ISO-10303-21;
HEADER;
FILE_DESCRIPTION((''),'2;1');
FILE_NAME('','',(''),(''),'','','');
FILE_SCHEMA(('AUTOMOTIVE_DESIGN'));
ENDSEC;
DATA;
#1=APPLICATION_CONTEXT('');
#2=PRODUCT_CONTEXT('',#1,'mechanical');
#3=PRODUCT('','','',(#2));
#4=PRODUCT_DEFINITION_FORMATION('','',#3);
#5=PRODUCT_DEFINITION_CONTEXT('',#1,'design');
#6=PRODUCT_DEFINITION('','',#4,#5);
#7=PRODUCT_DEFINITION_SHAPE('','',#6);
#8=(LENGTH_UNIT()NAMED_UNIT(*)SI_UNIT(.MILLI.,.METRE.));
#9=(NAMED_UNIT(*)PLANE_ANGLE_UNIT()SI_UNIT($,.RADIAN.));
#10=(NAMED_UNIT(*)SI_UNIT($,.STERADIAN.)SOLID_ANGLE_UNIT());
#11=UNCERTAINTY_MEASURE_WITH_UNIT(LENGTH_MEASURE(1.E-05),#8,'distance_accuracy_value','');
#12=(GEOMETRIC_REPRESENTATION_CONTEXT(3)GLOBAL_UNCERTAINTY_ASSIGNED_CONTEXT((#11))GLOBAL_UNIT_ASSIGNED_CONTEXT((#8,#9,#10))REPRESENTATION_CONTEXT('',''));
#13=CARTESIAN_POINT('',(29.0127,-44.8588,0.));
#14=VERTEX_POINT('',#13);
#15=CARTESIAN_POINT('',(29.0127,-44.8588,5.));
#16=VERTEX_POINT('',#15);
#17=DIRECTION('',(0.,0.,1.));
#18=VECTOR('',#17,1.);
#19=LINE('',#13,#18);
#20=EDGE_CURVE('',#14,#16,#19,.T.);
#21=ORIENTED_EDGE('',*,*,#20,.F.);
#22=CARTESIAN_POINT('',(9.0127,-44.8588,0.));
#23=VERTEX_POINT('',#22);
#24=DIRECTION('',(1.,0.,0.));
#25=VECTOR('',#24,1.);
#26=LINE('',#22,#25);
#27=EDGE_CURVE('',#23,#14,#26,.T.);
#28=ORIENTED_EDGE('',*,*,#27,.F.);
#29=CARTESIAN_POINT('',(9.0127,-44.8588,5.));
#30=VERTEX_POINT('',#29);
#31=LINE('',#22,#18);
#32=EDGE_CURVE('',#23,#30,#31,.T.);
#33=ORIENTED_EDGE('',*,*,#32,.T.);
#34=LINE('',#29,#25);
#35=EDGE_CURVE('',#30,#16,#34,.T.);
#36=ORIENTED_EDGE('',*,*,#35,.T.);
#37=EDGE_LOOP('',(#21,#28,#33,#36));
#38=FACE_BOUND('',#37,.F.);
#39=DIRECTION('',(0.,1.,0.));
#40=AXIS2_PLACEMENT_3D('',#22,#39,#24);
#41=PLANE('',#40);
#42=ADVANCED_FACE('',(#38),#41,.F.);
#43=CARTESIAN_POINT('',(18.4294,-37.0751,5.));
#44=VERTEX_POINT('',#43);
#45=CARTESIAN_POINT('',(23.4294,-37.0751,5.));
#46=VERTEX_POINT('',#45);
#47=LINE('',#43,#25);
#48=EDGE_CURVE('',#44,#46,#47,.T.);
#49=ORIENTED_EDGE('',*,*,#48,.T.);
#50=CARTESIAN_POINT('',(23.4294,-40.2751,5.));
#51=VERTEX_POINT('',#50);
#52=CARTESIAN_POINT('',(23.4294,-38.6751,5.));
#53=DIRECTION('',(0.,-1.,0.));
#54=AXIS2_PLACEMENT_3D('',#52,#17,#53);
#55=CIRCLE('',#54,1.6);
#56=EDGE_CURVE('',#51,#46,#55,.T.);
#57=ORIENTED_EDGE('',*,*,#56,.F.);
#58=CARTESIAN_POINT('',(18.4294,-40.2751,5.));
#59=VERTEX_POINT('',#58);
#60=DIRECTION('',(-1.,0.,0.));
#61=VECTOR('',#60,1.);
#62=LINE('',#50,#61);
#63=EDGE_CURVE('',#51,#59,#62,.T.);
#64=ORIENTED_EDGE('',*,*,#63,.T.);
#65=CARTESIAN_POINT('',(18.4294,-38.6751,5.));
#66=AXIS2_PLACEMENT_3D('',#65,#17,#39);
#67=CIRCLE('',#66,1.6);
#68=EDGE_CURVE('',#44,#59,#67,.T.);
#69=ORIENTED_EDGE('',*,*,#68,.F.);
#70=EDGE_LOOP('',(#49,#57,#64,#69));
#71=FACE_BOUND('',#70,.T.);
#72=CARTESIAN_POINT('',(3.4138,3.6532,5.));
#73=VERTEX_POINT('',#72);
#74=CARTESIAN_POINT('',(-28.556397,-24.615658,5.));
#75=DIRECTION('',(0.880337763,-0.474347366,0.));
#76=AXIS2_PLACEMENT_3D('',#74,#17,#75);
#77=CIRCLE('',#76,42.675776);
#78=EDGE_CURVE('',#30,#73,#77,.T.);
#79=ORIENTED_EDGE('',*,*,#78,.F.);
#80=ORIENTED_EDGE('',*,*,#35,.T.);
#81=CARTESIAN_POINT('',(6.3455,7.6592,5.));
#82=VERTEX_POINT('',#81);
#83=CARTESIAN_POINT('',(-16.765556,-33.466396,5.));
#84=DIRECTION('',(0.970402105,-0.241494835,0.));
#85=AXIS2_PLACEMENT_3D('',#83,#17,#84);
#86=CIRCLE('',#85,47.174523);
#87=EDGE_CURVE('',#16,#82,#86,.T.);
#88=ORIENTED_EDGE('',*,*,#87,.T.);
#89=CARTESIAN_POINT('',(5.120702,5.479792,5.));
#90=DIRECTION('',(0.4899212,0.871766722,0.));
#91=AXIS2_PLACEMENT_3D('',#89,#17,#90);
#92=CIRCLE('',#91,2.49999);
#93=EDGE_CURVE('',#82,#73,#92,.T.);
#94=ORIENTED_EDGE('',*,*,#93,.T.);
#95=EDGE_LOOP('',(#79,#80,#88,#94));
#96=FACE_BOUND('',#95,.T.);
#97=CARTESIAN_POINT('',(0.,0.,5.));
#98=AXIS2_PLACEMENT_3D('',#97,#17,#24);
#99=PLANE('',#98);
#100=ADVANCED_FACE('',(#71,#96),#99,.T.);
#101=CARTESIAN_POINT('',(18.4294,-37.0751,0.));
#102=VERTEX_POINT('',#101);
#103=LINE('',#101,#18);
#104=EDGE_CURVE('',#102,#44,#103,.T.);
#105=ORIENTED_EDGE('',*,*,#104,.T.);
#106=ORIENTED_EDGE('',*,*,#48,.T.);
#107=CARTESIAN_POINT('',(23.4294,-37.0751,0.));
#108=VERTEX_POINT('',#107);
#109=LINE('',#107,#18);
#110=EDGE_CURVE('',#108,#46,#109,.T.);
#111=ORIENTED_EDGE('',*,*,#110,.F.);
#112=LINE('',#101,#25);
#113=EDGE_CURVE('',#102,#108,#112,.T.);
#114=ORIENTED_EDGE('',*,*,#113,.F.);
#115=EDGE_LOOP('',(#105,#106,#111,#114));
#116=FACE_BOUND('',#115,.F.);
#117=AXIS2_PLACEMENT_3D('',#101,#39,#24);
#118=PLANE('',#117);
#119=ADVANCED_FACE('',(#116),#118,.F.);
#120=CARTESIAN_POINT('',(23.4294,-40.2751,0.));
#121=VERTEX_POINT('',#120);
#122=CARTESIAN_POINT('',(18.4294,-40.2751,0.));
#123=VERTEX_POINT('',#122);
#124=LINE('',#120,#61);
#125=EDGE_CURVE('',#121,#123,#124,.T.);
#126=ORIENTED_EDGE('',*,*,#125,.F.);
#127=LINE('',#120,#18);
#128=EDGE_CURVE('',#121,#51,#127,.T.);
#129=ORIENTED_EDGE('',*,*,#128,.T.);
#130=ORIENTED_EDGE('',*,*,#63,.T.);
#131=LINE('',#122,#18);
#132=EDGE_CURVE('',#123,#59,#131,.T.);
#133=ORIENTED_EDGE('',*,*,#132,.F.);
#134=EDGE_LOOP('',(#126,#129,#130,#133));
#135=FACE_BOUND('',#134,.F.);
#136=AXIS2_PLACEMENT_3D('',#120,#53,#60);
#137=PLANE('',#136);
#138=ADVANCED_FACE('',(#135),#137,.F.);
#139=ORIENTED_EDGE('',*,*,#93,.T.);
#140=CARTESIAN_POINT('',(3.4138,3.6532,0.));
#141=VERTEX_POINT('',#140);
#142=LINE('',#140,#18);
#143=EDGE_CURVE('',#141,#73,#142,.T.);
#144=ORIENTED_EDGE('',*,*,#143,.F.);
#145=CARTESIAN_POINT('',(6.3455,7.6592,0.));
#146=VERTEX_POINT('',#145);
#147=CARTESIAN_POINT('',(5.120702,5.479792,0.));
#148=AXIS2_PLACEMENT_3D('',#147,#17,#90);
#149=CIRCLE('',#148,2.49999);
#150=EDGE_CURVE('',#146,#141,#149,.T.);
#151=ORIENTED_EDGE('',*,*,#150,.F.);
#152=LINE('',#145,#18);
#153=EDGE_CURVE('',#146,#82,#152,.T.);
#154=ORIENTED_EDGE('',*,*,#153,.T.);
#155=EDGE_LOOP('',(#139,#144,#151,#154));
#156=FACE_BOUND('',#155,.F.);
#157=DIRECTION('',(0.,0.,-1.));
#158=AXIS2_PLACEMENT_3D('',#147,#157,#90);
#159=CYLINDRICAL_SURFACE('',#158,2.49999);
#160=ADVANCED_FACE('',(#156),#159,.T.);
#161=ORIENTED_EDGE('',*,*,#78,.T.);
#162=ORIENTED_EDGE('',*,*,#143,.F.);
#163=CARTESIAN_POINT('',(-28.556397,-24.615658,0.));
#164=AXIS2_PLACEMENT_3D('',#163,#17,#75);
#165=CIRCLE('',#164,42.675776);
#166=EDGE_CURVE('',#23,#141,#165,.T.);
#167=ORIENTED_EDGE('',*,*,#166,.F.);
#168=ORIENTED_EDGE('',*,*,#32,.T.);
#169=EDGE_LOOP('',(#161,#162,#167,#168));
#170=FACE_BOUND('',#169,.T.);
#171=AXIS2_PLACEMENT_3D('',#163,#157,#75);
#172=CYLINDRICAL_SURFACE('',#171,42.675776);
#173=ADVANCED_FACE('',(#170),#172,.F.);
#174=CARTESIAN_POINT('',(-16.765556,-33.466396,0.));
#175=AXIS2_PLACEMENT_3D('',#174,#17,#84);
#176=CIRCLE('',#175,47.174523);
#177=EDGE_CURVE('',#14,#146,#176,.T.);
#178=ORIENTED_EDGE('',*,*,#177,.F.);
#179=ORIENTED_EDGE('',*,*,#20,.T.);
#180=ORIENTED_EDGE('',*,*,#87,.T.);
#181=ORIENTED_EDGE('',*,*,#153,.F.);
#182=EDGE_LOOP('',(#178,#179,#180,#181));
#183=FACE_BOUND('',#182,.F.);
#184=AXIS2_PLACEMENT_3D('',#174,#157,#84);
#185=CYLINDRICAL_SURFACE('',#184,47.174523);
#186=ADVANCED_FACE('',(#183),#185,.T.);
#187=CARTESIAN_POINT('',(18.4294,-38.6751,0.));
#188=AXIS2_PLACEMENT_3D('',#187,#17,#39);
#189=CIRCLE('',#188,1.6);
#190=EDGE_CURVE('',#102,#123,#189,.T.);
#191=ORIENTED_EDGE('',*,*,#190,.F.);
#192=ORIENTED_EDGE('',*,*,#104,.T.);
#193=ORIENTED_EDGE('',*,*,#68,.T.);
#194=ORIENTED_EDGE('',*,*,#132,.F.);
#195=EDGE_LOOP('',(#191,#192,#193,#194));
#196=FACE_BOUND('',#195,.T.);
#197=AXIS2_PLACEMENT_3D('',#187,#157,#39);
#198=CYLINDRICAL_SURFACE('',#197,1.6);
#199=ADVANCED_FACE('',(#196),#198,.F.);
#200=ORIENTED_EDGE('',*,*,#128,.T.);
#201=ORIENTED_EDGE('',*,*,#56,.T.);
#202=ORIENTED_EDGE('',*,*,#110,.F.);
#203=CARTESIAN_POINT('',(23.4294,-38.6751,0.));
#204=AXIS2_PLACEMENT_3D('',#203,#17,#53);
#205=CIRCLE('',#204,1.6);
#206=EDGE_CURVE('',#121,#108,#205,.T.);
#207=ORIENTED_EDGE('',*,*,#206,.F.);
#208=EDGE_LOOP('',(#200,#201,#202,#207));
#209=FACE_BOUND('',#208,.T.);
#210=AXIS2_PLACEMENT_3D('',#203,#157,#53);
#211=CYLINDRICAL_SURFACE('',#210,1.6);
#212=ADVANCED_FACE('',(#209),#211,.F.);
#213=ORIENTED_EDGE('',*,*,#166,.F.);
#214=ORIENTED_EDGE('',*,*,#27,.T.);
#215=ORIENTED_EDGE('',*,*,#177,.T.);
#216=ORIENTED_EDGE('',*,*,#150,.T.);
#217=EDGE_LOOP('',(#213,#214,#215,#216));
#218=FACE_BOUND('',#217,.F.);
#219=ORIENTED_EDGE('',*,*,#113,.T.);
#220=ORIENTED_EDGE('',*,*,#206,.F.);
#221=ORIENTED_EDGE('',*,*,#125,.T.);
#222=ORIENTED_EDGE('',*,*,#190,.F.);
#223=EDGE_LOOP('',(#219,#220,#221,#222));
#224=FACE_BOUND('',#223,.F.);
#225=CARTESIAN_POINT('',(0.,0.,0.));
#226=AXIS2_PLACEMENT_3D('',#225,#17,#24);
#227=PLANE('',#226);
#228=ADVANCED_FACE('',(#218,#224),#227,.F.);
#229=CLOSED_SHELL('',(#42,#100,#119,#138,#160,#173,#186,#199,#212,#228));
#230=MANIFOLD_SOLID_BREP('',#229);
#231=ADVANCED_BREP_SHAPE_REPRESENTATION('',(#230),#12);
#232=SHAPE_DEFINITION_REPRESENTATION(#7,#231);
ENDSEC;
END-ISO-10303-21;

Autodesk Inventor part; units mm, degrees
ref_plane "YZ Plane" through (0, 0, 0) normal (1, 0, 0) x (0, 1, 0)
ref_plane "XZ Plane" through (0, 0, 0) normal (0, 1, 0) x (-1, 0, 0)
ref_plane "XY Plane" through (0, 0, 0) normal (0, 0, 1) x (1, 0, 0)
sketch "Sketch1" plane through (0, 0, 0) normal (0, 0, 1) x (1, 0, 0)
  arc A0 (6.3455, 7.6592) -> (3.4138, 3.6532) centre (5.1207, 5.4798) ccw
  line L0 (18.4294, -37.0751) -> (23.4294, -37.0751)
  line L1 (23.4294, -40.2751) -> (18.4294, -40.2751)
  arc A1 (18.4294, -37.0751) -> (18.4294, -40.2751) centre (18.4294, -38.6751) ccw
  arc A2 (23.4294, -40.2751) -> (23.4294, -37.0751) centre (23.4294, -38.6751) ccw
  arc A3 (29.0127, -44.8588) -> (6.3455, 7.6592) centre (-16.7656, -33.4664) ccw
  arc A4 (9.0127, -44.8588) -> (3.4138, 3.6532) centre (-28.5567, -24.6156) ccw
  line L2 (9.0127, -44.8588) -> (29.0127, -44.8588)
  point P0 (0, 0)
  dimension "d20" = 3.2
  dimension "d25" = 2.5
  dimension "d32" = 20
  dimension "d35" = 5
extrude "Extrusion1" add sketch "Sketch1" along normal blind 5
properties part number "mavac_ruka I guesss"
